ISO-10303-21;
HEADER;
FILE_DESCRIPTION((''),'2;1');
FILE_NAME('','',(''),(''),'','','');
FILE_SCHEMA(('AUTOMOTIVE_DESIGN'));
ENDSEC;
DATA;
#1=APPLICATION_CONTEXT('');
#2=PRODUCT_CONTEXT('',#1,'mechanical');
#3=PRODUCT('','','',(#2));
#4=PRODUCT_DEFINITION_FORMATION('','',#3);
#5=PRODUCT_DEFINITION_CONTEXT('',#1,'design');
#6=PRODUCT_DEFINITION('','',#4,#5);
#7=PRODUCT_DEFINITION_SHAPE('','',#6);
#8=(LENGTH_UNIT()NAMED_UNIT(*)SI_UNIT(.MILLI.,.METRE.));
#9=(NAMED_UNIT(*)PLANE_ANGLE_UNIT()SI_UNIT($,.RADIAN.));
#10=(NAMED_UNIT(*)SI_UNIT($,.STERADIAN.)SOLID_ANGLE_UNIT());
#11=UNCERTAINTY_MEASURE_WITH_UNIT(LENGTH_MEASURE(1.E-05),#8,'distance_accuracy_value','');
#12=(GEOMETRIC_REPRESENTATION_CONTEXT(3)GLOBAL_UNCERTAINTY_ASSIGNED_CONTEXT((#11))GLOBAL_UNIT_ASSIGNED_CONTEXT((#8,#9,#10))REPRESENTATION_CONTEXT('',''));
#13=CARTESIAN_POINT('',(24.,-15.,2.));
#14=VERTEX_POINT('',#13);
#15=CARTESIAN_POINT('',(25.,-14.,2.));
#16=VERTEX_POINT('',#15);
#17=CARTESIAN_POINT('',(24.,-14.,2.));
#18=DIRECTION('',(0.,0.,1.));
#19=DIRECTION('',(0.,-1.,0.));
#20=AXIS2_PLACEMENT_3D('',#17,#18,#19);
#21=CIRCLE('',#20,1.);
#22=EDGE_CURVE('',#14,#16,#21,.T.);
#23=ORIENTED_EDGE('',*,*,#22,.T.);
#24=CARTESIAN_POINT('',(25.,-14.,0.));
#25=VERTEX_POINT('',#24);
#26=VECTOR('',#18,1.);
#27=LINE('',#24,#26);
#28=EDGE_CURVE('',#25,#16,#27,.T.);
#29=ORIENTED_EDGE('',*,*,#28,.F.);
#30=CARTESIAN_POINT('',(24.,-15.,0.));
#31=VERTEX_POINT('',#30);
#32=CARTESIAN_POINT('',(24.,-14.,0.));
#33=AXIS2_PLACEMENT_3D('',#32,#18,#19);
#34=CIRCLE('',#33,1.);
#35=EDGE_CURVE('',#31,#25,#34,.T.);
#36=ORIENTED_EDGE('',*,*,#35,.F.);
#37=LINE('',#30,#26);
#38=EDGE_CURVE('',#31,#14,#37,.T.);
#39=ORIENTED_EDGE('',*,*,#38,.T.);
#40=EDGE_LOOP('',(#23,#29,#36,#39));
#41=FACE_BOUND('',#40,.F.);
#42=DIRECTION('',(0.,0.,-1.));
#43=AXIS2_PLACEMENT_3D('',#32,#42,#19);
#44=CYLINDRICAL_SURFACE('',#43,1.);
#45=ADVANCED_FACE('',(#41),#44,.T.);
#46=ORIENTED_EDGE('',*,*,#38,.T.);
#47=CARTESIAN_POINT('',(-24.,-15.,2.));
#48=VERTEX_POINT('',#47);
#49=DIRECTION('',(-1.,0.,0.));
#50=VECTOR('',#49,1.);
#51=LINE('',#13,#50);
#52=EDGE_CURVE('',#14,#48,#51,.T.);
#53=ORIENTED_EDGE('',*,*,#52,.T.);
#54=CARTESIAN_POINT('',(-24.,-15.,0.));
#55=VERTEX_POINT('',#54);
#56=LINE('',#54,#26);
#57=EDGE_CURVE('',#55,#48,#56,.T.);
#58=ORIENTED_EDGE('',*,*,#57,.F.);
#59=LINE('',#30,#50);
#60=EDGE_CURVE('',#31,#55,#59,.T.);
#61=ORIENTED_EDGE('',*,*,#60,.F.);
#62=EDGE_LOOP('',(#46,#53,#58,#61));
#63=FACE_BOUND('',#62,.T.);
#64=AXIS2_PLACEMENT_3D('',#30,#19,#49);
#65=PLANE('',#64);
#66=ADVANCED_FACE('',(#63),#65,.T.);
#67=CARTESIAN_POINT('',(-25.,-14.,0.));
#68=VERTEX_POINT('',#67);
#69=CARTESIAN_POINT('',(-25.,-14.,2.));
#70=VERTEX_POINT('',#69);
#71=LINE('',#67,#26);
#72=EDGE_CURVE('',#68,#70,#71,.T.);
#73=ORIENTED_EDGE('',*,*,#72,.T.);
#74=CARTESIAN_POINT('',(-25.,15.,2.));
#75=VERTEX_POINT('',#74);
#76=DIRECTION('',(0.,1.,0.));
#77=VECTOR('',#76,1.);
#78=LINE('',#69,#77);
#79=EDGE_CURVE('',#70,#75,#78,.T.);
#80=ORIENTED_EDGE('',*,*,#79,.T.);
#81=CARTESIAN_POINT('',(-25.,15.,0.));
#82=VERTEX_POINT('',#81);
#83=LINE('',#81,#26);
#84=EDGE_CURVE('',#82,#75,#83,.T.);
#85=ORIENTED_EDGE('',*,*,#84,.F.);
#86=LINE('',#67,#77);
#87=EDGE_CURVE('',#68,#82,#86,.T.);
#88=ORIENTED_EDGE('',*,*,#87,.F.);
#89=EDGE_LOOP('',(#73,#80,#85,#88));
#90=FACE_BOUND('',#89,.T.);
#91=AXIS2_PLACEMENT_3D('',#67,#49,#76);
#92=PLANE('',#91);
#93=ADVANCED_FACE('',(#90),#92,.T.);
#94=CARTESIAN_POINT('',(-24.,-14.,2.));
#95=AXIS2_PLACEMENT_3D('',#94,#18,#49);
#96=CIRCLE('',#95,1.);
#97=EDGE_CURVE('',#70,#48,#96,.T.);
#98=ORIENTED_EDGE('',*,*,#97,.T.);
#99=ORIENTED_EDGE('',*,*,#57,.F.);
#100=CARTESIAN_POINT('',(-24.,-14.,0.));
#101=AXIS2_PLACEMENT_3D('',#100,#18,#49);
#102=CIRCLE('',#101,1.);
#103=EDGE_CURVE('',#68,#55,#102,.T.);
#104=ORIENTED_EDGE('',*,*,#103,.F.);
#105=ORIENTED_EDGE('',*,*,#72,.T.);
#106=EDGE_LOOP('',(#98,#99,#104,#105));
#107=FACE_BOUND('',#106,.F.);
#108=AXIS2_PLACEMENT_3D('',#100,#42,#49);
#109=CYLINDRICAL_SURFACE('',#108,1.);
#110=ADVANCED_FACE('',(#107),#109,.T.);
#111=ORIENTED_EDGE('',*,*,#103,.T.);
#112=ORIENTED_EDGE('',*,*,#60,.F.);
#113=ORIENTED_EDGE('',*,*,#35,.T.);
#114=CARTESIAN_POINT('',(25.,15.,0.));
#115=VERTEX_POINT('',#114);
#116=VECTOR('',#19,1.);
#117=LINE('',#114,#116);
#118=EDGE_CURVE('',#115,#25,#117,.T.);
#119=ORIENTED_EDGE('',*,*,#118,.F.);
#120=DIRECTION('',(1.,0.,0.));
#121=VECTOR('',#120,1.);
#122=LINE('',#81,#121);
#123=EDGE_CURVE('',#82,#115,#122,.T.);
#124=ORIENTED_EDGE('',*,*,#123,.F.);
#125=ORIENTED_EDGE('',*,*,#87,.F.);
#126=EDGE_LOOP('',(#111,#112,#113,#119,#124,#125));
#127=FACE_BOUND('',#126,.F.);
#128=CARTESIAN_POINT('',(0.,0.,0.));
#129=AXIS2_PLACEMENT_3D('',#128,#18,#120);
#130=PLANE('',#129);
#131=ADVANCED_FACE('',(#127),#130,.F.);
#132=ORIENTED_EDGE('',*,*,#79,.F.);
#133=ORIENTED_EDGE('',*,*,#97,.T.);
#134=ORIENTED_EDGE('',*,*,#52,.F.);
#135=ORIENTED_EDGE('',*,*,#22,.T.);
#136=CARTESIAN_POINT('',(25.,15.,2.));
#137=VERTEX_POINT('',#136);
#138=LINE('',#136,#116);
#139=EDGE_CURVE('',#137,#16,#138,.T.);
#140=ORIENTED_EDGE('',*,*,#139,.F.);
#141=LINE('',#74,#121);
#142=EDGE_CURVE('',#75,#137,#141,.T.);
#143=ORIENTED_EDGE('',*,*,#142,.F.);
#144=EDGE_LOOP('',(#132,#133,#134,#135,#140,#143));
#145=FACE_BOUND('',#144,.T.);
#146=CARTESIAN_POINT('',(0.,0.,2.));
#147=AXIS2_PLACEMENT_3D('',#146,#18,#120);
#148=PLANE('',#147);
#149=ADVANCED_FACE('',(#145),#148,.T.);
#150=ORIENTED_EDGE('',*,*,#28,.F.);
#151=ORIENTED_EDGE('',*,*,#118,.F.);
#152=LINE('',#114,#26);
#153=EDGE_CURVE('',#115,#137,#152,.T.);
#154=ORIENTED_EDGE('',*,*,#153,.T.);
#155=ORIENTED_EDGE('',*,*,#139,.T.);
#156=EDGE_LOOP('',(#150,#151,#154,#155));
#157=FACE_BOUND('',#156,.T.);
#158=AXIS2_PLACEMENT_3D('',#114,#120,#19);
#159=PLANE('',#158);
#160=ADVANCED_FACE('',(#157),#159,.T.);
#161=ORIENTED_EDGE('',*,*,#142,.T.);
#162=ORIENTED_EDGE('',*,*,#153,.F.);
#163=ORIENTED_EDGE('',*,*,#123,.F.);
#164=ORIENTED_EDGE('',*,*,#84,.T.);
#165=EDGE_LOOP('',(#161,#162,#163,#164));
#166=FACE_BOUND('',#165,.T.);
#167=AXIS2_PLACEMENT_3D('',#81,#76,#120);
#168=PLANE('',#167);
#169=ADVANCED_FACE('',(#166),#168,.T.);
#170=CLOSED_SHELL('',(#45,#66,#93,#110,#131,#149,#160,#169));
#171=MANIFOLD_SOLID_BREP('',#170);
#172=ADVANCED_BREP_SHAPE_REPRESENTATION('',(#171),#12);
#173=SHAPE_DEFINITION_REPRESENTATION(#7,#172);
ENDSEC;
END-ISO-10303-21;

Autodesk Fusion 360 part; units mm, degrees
sketch "Sketch1" plane through (0, 0, 0) normal (0, 0, 1) x (1, 0, 0)
  line L0 (24, -15) -> (-24, -15)
  line L1 (-25, -14) -> (-25, 15)
  line L2 (-25, 15) -> (25, 15)
  line L3 (25, 15) -> (25, -14)
  line L4 (25.9629, -15.5777) -> (-25, 15) construction
  line L5 (-25, -15) -> (25, 15) construction
  arc A0 (-25, -14) -> (-24, -15) centre (-24, -14) ccw
  arc A1 (24, -15) -> (25, -14) centre (24, -14) ccw
  dimension "d2" = 30
  dimension "d3" = 1
  dimension "d4" = 1
  dimension "d7" = 25
  dimension "d8" = 25
extrude "Extrude1" add sketch "Sketch1" along normal blind 2
